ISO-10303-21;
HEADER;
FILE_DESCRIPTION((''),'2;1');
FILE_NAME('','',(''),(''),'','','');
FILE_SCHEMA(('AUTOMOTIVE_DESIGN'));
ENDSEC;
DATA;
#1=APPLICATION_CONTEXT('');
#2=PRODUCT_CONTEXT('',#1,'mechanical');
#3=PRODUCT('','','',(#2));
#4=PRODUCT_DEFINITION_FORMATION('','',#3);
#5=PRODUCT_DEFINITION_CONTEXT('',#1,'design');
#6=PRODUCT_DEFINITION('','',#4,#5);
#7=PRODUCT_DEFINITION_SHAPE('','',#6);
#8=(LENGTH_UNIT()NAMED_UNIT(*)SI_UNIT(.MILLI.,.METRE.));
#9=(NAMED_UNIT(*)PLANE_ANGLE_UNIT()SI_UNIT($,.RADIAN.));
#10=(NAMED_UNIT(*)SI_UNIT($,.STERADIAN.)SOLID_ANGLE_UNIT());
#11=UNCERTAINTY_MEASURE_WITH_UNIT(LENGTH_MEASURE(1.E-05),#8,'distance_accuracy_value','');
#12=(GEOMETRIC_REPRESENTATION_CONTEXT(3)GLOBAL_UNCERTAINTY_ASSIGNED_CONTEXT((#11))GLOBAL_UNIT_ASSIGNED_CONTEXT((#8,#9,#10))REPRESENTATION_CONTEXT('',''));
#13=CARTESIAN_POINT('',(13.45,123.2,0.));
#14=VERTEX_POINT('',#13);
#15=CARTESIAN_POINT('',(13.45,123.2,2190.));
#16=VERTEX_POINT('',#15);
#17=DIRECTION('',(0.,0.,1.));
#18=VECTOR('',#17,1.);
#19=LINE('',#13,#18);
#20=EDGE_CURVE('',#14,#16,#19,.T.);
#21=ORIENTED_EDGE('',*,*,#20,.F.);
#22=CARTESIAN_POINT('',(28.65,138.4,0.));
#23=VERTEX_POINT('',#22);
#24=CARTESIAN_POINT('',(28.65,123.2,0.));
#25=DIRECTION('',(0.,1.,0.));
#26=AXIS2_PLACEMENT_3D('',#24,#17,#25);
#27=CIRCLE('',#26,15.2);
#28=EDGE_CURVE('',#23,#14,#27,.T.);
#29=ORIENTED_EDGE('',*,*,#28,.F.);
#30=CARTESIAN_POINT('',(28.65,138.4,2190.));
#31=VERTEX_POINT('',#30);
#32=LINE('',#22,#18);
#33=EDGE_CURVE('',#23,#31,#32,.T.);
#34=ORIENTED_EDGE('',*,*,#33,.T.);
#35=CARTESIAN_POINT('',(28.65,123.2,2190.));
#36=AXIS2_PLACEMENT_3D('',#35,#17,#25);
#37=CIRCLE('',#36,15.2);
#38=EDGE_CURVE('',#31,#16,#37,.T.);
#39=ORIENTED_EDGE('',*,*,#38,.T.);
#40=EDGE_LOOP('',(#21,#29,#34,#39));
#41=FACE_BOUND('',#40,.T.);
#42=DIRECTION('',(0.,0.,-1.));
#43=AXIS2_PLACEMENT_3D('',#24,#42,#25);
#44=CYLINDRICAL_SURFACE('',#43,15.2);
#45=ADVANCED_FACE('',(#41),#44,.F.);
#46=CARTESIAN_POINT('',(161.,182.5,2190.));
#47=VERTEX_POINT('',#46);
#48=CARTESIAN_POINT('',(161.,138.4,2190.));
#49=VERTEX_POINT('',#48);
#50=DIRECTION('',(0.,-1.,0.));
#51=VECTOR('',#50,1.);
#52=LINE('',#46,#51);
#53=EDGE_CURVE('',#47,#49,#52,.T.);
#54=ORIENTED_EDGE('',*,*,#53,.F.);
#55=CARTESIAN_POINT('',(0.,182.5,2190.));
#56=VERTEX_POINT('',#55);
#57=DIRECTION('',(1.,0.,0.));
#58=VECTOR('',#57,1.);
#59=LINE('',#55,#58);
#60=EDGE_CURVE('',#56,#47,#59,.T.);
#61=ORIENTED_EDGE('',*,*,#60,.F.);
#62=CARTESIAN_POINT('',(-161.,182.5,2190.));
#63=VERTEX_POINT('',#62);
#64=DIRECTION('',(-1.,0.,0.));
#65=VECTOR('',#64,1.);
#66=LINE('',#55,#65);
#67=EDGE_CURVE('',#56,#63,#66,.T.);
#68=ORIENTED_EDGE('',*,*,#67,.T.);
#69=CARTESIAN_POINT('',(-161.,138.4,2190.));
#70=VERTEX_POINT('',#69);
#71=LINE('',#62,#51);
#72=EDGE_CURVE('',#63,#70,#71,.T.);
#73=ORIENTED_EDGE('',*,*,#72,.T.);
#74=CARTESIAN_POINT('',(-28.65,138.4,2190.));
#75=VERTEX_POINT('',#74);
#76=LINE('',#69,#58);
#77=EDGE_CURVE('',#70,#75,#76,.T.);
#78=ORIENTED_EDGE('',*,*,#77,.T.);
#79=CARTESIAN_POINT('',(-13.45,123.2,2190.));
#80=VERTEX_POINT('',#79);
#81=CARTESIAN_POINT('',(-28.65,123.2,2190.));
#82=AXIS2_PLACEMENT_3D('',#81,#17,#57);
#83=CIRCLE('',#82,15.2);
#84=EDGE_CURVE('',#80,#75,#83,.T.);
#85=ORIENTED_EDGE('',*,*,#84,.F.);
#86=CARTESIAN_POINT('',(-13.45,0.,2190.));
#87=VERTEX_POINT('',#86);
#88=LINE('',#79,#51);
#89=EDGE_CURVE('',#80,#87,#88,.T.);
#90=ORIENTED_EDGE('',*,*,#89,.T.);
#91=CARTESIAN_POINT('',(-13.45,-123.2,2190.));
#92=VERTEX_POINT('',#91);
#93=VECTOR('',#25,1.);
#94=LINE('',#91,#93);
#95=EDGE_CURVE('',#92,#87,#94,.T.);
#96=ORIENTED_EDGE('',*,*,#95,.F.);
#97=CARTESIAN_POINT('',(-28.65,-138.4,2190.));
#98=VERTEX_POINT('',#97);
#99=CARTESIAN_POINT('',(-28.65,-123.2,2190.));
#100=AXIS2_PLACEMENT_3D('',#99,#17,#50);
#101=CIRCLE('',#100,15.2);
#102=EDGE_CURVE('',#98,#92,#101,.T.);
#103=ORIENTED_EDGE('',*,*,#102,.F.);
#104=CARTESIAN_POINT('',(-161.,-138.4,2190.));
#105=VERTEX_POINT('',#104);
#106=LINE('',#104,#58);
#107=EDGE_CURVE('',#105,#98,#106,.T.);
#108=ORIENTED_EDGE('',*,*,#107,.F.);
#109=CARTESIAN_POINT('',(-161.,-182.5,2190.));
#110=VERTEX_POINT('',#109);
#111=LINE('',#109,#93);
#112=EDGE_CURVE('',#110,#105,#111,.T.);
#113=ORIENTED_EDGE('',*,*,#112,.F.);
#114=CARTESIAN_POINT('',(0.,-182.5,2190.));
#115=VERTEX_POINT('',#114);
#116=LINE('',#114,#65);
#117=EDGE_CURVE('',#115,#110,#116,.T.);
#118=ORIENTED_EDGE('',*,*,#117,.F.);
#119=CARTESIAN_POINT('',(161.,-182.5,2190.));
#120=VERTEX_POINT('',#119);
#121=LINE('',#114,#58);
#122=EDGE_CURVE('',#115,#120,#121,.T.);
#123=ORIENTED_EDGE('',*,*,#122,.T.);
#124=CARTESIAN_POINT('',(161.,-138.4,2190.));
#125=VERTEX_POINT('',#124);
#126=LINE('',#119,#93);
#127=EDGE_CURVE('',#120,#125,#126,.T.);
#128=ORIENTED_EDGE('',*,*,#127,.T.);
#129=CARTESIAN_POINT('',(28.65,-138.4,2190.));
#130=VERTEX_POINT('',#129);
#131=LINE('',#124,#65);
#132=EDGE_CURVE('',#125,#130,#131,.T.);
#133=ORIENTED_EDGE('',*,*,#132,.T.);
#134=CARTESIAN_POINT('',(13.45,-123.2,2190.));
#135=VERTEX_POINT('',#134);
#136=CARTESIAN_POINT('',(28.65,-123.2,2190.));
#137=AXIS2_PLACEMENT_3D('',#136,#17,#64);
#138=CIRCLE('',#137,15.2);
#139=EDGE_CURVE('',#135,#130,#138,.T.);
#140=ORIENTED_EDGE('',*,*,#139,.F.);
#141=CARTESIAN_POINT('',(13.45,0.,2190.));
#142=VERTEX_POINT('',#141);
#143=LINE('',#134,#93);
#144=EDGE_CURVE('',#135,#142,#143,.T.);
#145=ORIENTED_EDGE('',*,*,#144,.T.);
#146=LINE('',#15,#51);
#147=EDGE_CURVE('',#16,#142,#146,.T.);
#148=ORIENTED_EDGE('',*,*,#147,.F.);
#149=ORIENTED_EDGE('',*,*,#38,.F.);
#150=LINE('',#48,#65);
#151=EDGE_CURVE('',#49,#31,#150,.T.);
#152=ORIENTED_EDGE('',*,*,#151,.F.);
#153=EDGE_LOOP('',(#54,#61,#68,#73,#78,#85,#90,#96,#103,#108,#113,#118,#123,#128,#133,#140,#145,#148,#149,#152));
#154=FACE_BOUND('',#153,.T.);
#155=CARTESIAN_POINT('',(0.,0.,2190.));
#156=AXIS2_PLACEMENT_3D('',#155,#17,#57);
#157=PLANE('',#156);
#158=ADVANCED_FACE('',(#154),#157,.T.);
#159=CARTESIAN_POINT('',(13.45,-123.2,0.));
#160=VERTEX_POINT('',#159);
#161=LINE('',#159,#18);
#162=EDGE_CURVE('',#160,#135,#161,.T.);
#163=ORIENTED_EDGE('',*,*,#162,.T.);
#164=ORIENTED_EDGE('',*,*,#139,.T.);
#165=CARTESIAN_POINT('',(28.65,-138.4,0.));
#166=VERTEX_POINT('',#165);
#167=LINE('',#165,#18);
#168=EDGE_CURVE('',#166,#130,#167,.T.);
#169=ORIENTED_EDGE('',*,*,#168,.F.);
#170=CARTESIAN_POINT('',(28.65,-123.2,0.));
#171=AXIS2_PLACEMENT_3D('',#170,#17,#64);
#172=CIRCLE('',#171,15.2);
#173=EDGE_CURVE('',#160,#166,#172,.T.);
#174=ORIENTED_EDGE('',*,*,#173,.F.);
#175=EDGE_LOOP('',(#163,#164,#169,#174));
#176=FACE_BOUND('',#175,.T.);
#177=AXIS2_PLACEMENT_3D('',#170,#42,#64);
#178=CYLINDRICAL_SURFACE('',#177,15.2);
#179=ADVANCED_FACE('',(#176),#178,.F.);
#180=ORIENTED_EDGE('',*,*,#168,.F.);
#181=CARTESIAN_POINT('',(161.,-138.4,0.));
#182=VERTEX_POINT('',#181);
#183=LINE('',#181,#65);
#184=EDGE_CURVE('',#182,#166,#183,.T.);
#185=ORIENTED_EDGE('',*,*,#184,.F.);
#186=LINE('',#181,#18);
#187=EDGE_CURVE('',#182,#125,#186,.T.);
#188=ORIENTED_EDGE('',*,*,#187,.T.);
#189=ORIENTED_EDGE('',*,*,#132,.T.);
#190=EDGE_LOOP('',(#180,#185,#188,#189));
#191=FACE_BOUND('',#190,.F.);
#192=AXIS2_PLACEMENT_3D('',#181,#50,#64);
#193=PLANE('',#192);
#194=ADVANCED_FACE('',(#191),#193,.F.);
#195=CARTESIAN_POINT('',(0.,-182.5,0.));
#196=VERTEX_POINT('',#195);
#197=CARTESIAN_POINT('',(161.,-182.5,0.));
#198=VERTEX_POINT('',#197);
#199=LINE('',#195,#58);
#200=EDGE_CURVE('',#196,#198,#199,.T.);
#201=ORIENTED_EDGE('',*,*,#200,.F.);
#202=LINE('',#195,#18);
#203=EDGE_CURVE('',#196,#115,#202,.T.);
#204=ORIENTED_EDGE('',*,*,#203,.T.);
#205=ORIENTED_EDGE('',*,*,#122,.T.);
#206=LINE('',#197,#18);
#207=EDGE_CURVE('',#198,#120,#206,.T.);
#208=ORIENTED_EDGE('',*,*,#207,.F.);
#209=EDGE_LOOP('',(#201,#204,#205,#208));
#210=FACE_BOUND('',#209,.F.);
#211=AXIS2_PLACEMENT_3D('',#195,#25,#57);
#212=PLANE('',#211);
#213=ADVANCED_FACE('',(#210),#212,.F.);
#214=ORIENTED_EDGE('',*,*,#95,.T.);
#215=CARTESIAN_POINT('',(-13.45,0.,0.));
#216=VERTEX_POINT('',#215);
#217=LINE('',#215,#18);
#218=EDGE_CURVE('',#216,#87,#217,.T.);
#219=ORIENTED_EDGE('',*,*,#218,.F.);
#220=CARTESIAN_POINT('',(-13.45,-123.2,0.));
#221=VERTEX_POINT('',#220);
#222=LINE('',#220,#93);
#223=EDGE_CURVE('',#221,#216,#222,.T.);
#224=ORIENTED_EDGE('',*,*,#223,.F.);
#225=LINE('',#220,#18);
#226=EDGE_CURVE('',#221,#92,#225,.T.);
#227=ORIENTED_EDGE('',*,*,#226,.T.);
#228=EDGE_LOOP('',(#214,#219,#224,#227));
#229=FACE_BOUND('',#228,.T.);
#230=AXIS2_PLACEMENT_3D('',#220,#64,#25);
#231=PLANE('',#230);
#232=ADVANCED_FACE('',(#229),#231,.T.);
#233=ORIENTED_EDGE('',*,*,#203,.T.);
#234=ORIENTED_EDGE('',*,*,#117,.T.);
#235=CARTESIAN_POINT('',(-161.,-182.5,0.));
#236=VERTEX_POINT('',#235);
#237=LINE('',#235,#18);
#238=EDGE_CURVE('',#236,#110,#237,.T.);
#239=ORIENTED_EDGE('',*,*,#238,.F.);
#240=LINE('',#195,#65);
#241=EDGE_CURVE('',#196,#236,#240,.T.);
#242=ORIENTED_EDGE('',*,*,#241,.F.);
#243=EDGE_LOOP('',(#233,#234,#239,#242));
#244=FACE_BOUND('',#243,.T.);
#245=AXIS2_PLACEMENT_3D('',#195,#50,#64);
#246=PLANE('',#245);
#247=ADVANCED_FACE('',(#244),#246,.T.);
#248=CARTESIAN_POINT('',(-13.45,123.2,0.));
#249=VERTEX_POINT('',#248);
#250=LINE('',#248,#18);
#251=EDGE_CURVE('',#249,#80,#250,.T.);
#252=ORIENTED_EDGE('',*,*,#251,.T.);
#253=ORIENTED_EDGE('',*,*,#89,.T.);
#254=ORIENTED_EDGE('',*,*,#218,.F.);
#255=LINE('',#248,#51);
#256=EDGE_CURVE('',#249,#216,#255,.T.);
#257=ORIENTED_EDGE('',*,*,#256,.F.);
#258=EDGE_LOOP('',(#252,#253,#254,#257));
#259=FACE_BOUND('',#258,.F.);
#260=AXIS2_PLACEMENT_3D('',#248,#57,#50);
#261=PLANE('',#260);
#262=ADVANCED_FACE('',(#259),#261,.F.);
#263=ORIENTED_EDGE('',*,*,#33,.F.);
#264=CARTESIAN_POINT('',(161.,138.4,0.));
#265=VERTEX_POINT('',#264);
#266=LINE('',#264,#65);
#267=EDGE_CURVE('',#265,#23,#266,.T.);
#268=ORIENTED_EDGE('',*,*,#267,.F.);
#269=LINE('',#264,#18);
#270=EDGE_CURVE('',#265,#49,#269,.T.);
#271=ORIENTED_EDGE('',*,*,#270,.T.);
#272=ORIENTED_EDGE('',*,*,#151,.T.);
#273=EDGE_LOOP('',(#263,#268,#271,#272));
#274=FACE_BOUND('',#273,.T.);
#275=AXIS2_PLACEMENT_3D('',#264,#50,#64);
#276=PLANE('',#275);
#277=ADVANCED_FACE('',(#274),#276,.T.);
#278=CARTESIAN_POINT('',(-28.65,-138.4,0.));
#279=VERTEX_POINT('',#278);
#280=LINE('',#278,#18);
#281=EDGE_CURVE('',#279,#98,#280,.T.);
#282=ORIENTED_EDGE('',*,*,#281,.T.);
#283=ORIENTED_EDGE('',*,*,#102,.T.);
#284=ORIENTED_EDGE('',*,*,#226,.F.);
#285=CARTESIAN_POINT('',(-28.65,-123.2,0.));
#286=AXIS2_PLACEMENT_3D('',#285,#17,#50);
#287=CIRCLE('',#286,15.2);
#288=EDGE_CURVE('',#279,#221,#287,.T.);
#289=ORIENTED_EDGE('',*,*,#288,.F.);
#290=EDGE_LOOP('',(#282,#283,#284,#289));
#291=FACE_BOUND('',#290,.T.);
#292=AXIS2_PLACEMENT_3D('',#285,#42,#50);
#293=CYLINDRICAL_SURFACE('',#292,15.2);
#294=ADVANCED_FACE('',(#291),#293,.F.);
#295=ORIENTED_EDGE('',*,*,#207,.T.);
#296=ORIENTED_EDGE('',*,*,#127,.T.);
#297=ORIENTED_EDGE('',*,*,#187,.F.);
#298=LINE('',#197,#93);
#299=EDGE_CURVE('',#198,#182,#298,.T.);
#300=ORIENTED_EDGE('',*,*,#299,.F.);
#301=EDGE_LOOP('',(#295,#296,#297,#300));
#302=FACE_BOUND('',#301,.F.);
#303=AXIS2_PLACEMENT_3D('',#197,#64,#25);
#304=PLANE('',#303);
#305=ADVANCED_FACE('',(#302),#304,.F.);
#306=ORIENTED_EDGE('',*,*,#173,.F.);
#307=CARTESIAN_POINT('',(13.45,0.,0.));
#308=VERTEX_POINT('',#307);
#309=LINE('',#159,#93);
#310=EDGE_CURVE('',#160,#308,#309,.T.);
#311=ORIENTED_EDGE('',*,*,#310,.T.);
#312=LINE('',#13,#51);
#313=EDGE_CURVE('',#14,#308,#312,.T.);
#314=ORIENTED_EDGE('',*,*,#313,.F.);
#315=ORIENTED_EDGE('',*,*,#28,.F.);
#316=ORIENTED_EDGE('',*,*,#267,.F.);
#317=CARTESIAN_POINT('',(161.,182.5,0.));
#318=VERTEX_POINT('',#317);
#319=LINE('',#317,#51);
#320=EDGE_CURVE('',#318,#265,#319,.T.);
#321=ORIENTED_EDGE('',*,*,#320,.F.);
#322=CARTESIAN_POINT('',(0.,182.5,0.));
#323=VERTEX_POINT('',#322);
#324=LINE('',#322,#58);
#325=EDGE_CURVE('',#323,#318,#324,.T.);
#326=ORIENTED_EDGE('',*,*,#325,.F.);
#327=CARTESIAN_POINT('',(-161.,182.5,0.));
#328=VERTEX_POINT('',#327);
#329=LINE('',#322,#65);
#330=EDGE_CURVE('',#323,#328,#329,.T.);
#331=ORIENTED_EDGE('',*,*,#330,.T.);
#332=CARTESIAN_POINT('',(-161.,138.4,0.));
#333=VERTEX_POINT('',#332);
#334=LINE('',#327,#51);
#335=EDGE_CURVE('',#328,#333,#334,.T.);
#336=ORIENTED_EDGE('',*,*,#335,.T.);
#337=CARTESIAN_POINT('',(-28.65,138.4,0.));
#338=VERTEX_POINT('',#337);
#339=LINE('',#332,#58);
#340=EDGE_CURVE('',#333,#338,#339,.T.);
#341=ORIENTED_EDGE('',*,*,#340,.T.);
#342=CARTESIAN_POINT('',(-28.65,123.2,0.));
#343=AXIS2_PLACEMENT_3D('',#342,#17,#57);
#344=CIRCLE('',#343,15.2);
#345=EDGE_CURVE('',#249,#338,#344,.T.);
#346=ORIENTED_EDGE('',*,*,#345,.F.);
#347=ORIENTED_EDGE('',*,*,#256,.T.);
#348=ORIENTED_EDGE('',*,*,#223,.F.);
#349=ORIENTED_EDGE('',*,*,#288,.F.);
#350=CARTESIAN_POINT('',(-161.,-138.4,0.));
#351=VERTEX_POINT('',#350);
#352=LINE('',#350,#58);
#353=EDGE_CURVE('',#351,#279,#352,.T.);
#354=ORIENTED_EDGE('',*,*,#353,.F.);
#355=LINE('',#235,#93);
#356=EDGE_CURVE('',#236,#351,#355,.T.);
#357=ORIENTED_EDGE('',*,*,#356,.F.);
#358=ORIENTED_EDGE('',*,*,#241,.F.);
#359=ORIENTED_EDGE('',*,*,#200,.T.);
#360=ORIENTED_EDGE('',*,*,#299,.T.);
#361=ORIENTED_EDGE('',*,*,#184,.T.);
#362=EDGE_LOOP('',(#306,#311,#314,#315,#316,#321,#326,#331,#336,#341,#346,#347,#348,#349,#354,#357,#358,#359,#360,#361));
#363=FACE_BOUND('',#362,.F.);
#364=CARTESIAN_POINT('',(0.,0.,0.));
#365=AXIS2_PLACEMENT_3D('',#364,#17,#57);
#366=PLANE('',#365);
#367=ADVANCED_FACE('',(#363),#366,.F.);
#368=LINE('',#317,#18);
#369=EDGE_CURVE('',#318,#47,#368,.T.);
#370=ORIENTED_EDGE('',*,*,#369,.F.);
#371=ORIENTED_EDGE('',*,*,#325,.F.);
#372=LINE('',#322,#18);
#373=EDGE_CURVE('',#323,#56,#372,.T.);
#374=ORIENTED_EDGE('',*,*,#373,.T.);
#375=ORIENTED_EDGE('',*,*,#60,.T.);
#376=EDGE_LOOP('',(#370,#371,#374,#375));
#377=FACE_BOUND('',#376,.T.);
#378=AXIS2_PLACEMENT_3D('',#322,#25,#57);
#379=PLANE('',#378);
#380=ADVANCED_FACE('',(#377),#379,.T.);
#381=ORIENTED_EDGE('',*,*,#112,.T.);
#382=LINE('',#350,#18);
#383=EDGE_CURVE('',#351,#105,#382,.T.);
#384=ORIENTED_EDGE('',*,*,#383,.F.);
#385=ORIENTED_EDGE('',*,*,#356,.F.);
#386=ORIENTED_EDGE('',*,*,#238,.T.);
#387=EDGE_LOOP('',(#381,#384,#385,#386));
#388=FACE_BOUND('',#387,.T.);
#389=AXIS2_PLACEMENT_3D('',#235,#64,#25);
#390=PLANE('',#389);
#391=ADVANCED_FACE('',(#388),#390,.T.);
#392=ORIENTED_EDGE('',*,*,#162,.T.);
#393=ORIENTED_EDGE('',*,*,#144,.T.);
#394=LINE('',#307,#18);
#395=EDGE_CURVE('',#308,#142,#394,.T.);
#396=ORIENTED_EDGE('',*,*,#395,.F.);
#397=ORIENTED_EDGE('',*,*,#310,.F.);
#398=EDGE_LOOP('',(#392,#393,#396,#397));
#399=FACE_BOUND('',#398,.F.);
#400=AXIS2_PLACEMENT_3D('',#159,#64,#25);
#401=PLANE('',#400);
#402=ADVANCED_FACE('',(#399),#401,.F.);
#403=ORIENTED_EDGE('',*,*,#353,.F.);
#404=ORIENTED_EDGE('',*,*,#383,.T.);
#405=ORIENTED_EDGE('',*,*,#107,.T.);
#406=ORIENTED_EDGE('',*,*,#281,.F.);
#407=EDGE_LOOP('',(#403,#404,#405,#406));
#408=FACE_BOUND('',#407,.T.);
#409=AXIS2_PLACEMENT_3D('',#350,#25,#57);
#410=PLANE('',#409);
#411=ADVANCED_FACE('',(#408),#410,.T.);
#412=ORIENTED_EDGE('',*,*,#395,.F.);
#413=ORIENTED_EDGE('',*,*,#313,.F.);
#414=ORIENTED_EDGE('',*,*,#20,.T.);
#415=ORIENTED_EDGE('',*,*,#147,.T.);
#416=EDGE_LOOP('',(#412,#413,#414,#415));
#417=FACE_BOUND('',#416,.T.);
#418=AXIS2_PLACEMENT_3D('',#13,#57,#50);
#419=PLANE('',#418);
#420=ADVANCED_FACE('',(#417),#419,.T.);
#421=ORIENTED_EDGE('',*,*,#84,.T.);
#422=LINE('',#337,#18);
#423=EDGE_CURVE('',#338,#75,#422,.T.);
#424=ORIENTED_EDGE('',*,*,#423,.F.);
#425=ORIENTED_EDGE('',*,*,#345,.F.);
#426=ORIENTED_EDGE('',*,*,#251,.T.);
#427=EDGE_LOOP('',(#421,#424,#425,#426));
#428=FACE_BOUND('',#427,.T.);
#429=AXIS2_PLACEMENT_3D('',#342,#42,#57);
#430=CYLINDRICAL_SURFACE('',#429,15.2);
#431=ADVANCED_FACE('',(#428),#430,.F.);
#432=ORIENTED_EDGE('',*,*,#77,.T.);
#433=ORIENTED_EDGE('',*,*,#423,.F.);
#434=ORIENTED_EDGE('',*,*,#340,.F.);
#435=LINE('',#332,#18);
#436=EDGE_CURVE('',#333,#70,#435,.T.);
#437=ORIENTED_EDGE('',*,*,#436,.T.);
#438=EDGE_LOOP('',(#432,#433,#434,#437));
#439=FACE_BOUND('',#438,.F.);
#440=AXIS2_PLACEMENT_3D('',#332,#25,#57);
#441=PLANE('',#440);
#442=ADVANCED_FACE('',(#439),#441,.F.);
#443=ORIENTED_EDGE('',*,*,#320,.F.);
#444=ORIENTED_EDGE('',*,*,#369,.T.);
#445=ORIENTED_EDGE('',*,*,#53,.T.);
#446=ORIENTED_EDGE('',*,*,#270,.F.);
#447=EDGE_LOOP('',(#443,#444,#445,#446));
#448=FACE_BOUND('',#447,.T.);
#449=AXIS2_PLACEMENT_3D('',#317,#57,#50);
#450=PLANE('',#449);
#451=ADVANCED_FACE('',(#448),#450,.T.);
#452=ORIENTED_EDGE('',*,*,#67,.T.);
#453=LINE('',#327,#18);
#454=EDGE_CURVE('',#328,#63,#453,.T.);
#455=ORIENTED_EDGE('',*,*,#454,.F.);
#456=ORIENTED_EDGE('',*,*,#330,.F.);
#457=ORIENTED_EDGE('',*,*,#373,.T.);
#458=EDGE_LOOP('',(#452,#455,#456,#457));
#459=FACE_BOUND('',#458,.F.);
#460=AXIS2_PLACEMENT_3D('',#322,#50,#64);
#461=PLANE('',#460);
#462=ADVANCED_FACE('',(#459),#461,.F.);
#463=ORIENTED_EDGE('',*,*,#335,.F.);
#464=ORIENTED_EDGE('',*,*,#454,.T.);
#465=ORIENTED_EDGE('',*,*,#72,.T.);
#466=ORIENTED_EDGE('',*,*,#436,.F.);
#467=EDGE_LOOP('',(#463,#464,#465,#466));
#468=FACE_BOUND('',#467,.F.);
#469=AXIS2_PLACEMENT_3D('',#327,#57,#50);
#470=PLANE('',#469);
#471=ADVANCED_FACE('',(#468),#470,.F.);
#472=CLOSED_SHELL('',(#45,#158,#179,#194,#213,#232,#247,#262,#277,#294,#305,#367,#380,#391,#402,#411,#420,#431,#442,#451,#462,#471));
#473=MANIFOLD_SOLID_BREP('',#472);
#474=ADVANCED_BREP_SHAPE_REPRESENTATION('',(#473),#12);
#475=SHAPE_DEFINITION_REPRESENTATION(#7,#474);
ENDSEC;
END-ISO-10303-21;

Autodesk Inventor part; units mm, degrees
ref_plane "YZ Plane" through (0, 0, 0) normal (1, 0, 0) x (0, 1, 0)
ref_plane "Start plane" through (0, 0, 0) normal (0, 0, 1) x (1, 0, 0)
ref_plane "End plane" through (0, 0, 2190) normal (0, 0, 1) x (1, 0, 0)
sketch "Sketch" plane through (0, 0, 0) normal (0, 0, 1) x (1, 0, 0)
  line L0 (-161, -182.5) -> (-161, -138.4)
  line L1 (-161, -138.4) -> (-28.65, -138.4)
  line L2 (-13.45, -123.2) -> (-13.45, 0)
  line L3 (-13.45, 0) -> (0, 0) construction
  line L4 (0, 0) -> (0, -182.5) construction
  line L5 (0, -182.5) -> (-161, -182.5)
  line L6 (-60, 0) -> (80, 0) construction
  line L7 (0, -60) -> (0, 80) construction
  line L8 (161, -182.5) -> (161, -138.4)
  line L9 (161, -138.4) -> (28.65, -138.4)
  line L10 (13.45, -123.2) -> (13.45, 0)
  line L11 (13.45, 0) -> (0, 0) construction
  line L12 (0, -182.5) -> (161, -182.5)
  line L13 (-161, 182.5) -> (-161, 138.4)
  line L14 (-161, 138.4) -> (-28.65, 138.4)
  line L15 (-13.45, 123.2) -> (-13.45, 0)
  line L16 (0, 182.5) -> (-161, 182.5)
  line L17 (161, 182.5) -> (161, 138.4)
  line L18 (161, 138.4) -> (28.65, 138.4)
  line L19 (0, 182.5) -> (161, 182.5)
  line L20 (13.45, 123.2) -> (13.45, 0)
  arc A0 (-13.45, 123.2) -> (-28.65, 138.4) centre (-28.65, 123.2) ccw
  arc A1 (28.65, 138.4) -> (13.45, 123.2) centre (28.65, 123.2) ccw
  arc A2 (13.45, -123.2) -> (28.65, -138.4) centre (28.65, -123.2) ccw
  arc A3 (-28.65, -138.4) -> (-13.45, -123.2) centre (-28.65, -123.2) ccw
  line L21 (0, 108) -> (0, -88) construction
  line L22 (-88, 0) -> (108, 0) construction
  point P0 (-13.45, -138.4)
  point P1 (13.45, -138.4)
  point P2 (-13.45, 138.4)
  point P3 (13.45, 138.4)
  dimension "d1" = 182.5
  dimension "d2" = 44.1
  dimension "d3" = 161
  dimension "d4" = 13.45
  dimension "d10" = 15.2
extrude "Body" add sketch "Sketch" along normal up to surface (2190 mm away) from surface at 0
sketch "Sketch4" plane through (0, 0, 0) normal (0, 0, 1) x (1, 0, 0)
  line L0 (0, 0) -> (10, 0)
ref_plane "Work Plane3" through (0, 0, 0) normal (0, -1, 0) x (1, 0, 0)
sketch "Sketch5" plane through (0, 0, 0) normal (0, -1, 0) x (1, 0, 0)
  line L0 (-2, 0) -> (12, 0) projected
  line L1 (-2, 2190) -> (12, 2190) projected
  dimension "d14" = 2190
equation "\"d1\" = 0.5 * G_H"
equation "\"d2\" = G_T1"
equation "\"d3\" = 0.5 * G_W"
equation "\"d4\" = 0.5 * G_T"
equation "\"d10\" = G_IR"
equation "\"d5\" = G_L"
equation "\"G_W\" = 322"
equation "\"G_H\" = 365"
equation "\"G_T\" = 26.9"
equation "\"G_T1\" = 44.1"
equation "\"G_IR\" = 15.2"
equation "\"G_L\" = d14"
equation "\"G_OFFSET_START\" = 0"
equation "\"G_OFFSET_END\" = 0"
properties part number "AS 3679 - 310 UC - 283 - 2190" material "Steel, Mild"
